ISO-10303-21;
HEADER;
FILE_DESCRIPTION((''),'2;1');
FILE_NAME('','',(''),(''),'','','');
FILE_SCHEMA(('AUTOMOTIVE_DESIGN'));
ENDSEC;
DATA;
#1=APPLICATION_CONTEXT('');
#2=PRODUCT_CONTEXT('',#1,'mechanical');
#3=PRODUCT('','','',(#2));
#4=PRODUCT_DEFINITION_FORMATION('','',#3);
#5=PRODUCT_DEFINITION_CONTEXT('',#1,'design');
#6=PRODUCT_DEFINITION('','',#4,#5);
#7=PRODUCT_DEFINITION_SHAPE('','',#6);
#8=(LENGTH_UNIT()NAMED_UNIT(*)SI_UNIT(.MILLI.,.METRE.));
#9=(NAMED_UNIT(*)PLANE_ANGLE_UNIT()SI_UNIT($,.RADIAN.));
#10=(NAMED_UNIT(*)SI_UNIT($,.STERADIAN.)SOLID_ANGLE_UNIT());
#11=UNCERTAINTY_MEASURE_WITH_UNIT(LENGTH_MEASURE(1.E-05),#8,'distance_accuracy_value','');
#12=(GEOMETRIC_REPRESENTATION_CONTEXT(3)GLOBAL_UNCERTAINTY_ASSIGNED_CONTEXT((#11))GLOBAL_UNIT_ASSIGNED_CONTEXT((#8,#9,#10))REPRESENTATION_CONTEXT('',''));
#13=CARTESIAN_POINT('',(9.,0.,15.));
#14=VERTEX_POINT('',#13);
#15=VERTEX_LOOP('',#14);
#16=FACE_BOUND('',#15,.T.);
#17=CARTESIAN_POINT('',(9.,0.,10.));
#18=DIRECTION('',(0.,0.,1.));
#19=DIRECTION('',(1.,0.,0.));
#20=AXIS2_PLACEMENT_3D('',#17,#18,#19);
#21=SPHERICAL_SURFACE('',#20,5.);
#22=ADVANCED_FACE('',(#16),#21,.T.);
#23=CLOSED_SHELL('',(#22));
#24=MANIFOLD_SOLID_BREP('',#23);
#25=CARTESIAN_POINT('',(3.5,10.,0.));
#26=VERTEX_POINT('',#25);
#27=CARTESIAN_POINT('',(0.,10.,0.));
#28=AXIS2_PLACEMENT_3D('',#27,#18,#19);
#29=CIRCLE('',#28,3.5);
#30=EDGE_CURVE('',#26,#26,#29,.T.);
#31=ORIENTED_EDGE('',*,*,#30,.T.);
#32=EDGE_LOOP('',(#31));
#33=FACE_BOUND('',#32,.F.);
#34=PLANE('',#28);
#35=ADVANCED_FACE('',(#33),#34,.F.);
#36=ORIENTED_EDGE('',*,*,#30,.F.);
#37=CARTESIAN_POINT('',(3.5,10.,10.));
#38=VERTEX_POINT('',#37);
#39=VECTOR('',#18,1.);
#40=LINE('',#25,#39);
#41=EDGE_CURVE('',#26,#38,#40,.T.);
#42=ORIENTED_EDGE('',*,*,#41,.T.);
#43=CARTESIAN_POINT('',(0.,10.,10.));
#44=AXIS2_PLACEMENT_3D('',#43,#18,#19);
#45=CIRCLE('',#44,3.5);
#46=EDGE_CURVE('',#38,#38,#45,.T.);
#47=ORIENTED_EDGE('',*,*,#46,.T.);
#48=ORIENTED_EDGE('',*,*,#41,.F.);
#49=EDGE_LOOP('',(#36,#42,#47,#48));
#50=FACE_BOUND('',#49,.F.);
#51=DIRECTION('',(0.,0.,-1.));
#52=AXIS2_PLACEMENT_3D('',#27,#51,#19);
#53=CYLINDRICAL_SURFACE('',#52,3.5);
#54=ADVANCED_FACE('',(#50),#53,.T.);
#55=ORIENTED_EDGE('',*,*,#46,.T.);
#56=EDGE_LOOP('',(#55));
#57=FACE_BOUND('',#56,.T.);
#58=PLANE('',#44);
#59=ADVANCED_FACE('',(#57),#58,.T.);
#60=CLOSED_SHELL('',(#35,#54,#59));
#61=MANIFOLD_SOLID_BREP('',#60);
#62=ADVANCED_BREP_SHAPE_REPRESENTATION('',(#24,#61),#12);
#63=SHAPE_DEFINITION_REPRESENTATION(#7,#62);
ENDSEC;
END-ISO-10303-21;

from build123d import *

# Parameters (mm, degrees)
CYLINDER_R     = 3.5
CYLINDER_DEPTH = 10


with BuildPart() as cylinder:
    # Cylinder → Cylinder (new body)
    with BuildSketch(Plane(origin=(0, 10, 0), x_dir=(1, 0, 0), z_dir=(0, 0, 1))):
        Circle(CYLINDER_R)
    extrude(amount=CYLINDER_DEPTH)


with BuildPart() as sphere:
    # Sphere → Sphere (revolve)
    with BuildSketch(Plane(origin=(9, 0, 10), x_dir=(1, 0, 0), z_dir=(0, -1, 0))):
        with BuildLine():
            ThreePointArc((0, -5), (5, 0), (0, 5))
            Line((0, 5), (0, -5))
        make_face()
    revolve(axis=Axis((9, 0, 10), (0, 0, 1)))


solid = Compound([cylinder.part, sphere.part])
